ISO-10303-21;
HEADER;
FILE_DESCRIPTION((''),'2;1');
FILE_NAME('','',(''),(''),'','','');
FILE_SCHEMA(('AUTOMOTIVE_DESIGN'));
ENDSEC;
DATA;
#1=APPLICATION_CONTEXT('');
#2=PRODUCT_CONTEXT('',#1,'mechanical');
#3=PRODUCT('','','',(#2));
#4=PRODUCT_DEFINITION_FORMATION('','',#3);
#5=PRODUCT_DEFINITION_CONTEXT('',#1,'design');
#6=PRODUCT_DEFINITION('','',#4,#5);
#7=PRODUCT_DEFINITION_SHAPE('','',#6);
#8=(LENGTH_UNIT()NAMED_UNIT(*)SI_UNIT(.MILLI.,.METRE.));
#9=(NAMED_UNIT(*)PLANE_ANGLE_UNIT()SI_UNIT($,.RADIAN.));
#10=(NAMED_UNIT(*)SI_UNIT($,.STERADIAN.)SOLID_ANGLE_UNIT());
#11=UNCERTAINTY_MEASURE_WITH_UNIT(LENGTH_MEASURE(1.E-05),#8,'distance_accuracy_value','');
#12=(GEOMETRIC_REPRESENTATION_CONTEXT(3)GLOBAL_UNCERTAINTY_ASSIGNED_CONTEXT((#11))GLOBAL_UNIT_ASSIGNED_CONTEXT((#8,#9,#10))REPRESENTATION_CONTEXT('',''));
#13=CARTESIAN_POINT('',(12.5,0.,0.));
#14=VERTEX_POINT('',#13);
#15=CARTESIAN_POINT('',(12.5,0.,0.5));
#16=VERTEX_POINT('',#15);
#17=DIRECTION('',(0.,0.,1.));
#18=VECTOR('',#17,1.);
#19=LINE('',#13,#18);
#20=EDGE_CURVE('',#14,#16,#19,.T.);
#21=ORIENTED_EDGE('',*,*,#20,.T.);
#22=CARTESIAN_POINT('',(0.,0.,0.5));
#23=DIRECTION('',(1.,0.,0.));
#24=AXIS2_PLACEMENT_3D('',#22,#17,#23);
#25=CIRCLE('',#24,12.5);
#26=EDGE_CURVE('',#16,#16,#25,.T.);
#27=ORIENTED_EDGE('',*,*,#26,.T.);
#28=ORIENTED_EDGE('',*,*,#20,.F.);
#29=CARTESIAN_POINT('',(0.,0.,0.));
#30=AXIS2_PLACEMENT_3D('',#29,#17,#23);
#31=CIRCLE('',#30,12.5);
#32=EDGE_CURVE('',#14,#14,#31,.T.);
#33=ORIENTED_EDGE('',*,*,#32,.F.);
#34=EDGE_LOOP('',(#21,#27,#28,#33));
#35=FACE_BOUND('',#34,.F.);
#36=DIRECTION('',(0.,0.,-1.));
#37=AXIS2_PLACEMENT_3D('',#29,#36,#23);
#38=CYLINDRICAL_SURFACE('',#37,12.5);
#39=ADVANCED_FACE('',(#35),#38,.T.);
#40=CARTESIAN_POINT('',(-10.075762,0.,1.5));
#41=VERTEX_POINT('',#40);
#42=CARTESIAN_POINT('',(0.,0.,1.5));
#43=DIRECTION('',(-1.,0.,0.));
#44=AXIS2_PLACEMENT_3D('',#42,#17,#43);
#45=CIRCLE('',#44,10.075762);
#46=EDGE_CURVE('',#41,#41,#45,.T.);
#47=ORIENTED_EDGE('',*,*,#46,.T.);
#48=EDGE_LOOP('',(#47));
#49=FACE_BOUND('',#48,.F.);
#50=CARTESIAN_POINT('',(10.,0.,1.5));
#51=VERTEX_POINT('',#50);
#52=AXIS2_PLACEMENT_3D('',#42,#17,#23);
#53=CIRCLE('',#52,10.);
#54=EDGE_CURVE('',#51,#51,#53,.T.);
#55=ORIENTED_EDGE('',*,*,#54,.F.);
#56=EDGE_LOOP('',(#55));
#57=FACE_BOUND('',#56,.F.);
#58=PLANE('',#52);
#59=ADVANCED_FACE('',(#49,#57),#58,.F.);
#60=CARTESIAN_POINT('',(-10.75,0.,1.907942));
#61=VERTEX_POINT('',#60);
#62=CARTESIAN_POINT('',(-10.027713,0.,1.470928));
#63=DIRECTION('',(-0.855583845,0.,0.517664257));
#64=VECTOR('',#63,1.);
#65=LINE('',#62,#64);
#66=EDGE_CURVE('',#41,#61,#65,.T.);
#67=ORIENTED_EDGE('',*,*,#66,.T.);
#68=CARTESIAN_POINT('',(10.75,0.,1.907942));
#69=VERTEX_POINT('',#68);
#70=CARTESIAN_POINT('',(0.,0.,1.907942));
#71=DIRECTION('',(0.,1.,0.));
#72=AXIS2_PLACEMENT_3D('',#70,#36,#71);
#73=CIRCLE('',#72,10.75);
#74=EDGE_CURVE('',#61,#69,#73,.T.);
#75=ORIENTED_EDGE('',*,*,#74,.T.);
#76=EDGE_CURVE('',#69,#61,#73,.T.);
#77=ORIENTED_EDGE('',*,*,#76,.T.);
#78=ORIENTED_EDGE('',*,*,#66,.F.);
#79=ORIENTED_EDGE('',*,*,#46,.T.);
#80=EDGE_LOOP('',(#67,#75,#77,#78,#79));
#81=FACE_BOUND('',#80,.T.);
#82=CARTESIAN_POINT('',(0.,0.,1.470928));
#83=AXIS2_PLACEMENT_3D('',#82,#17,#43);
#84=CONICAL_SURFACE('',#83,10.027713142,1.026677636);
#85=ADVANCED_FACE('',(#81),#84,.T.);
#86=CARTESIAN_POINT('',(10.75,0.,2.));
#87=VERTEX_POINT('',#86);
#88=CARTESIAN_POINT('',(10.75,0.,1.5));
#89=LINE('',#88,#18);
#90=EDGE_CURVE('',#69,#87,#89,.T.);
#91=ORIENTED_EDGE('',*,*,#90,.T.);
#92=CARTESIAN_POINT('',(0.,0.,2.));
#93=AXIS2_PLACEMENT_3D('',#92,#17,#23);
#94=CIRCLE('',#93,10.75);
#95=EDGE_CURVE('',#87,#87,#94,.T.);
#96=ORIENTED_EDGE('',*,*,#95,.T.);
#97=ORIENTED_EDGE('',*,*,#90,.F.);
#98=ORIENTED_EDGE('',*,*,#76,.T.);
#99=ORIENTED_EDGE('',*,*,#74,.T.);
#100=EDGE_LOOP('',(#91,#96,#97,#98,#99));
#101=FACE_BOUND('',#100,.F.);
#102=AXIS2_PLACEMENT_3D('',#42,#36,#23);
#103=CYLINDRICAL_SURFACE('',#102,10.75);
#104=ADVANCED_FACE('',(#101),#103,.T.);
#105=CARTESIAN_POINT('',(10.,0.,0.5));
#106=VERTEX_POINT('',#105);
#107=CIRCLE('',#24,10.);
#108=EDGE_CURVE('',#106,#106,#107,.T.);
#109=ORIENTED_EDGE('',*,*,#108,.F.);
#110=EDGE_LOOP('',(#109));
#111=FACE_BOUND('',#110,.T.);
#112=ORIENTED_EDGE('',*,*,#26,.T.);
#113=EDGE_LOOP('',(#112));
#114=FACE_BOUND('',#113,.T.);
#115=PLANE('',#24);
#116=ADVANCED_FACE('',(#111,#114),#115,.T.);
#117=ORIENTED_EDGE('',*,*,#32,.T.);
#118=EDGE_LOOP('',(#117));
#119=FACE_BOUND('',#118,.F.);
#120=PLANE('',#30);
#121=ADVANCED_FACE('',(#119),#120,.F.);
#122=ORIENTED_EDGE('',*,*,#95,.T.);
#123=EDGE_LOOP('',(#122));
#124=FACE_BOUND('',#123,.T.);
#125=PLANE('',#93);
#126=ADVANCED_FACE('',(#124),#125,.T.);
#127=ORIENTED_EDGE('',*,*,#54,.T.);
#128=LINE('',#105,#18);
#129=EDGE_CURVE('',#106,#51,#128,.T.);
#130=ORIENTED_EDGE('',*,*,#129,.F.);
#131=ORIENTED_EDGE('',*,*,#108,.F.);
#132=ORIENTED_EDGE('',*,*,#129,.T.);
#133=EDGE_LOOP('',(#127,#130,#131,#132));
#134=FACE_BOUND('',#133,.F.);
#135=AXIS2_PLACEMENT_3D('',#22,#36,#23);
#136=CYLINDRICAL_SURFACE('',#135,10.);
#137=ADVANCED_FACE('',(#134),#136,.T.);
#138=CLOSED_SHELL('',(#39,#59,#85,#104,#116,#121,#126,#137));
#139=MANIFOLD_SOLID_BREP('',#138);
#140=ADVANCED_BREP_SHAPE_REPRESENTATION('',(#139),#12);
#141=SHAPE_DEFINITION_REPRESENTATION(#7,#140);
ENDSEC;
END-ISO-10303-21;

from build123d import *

# Parameters (mm, degrees)
F0_R     = 12.5
F1_DEPTH = 0.5
F2_R     = 10
F3_DEPTH = 1
F4_R     = 10.75
F4_R_2   = 10
F5_DEPTH = 0.5


with BuildPart() as f1:
    # F0 (on Top) → F1 (new body)
    with BuildSketch(Plane.XY):
        Circle(F0_R)
    extrude(amount=F1_DEPTH)

    # F2 (on face) → F3 (join)
    with BuildSketch(Plane.XY.offset(0.5)):
        Circle(F2_R)
    extrude(amount=F3_DEPTH)

    # F4 (on face) → F5 (join)
    with BuildSketch(Plane.XY.offset(1.5)):
        Circle(F4_R)
        Circle(F4_R_2, mode=Mode.SUBTRACT)
        Circle(F4_R_2)
    extrude(amount=F5_DEPTH)

    # F6 (on Front) → F7 (revolve, cut)
    with BuildSketch(Plane.XZ):
        Polygon((-10.8236325905, 1.4508630848), (-10.0277131423, 1.4709283132), (-10.8236325905, 1.9524930976), align=None)
    revolve(axis=Axis((0, 0, 2.0342625212), (0, 0, 1)), mode=Mode.SUBTRACT)


solid = f1.part
